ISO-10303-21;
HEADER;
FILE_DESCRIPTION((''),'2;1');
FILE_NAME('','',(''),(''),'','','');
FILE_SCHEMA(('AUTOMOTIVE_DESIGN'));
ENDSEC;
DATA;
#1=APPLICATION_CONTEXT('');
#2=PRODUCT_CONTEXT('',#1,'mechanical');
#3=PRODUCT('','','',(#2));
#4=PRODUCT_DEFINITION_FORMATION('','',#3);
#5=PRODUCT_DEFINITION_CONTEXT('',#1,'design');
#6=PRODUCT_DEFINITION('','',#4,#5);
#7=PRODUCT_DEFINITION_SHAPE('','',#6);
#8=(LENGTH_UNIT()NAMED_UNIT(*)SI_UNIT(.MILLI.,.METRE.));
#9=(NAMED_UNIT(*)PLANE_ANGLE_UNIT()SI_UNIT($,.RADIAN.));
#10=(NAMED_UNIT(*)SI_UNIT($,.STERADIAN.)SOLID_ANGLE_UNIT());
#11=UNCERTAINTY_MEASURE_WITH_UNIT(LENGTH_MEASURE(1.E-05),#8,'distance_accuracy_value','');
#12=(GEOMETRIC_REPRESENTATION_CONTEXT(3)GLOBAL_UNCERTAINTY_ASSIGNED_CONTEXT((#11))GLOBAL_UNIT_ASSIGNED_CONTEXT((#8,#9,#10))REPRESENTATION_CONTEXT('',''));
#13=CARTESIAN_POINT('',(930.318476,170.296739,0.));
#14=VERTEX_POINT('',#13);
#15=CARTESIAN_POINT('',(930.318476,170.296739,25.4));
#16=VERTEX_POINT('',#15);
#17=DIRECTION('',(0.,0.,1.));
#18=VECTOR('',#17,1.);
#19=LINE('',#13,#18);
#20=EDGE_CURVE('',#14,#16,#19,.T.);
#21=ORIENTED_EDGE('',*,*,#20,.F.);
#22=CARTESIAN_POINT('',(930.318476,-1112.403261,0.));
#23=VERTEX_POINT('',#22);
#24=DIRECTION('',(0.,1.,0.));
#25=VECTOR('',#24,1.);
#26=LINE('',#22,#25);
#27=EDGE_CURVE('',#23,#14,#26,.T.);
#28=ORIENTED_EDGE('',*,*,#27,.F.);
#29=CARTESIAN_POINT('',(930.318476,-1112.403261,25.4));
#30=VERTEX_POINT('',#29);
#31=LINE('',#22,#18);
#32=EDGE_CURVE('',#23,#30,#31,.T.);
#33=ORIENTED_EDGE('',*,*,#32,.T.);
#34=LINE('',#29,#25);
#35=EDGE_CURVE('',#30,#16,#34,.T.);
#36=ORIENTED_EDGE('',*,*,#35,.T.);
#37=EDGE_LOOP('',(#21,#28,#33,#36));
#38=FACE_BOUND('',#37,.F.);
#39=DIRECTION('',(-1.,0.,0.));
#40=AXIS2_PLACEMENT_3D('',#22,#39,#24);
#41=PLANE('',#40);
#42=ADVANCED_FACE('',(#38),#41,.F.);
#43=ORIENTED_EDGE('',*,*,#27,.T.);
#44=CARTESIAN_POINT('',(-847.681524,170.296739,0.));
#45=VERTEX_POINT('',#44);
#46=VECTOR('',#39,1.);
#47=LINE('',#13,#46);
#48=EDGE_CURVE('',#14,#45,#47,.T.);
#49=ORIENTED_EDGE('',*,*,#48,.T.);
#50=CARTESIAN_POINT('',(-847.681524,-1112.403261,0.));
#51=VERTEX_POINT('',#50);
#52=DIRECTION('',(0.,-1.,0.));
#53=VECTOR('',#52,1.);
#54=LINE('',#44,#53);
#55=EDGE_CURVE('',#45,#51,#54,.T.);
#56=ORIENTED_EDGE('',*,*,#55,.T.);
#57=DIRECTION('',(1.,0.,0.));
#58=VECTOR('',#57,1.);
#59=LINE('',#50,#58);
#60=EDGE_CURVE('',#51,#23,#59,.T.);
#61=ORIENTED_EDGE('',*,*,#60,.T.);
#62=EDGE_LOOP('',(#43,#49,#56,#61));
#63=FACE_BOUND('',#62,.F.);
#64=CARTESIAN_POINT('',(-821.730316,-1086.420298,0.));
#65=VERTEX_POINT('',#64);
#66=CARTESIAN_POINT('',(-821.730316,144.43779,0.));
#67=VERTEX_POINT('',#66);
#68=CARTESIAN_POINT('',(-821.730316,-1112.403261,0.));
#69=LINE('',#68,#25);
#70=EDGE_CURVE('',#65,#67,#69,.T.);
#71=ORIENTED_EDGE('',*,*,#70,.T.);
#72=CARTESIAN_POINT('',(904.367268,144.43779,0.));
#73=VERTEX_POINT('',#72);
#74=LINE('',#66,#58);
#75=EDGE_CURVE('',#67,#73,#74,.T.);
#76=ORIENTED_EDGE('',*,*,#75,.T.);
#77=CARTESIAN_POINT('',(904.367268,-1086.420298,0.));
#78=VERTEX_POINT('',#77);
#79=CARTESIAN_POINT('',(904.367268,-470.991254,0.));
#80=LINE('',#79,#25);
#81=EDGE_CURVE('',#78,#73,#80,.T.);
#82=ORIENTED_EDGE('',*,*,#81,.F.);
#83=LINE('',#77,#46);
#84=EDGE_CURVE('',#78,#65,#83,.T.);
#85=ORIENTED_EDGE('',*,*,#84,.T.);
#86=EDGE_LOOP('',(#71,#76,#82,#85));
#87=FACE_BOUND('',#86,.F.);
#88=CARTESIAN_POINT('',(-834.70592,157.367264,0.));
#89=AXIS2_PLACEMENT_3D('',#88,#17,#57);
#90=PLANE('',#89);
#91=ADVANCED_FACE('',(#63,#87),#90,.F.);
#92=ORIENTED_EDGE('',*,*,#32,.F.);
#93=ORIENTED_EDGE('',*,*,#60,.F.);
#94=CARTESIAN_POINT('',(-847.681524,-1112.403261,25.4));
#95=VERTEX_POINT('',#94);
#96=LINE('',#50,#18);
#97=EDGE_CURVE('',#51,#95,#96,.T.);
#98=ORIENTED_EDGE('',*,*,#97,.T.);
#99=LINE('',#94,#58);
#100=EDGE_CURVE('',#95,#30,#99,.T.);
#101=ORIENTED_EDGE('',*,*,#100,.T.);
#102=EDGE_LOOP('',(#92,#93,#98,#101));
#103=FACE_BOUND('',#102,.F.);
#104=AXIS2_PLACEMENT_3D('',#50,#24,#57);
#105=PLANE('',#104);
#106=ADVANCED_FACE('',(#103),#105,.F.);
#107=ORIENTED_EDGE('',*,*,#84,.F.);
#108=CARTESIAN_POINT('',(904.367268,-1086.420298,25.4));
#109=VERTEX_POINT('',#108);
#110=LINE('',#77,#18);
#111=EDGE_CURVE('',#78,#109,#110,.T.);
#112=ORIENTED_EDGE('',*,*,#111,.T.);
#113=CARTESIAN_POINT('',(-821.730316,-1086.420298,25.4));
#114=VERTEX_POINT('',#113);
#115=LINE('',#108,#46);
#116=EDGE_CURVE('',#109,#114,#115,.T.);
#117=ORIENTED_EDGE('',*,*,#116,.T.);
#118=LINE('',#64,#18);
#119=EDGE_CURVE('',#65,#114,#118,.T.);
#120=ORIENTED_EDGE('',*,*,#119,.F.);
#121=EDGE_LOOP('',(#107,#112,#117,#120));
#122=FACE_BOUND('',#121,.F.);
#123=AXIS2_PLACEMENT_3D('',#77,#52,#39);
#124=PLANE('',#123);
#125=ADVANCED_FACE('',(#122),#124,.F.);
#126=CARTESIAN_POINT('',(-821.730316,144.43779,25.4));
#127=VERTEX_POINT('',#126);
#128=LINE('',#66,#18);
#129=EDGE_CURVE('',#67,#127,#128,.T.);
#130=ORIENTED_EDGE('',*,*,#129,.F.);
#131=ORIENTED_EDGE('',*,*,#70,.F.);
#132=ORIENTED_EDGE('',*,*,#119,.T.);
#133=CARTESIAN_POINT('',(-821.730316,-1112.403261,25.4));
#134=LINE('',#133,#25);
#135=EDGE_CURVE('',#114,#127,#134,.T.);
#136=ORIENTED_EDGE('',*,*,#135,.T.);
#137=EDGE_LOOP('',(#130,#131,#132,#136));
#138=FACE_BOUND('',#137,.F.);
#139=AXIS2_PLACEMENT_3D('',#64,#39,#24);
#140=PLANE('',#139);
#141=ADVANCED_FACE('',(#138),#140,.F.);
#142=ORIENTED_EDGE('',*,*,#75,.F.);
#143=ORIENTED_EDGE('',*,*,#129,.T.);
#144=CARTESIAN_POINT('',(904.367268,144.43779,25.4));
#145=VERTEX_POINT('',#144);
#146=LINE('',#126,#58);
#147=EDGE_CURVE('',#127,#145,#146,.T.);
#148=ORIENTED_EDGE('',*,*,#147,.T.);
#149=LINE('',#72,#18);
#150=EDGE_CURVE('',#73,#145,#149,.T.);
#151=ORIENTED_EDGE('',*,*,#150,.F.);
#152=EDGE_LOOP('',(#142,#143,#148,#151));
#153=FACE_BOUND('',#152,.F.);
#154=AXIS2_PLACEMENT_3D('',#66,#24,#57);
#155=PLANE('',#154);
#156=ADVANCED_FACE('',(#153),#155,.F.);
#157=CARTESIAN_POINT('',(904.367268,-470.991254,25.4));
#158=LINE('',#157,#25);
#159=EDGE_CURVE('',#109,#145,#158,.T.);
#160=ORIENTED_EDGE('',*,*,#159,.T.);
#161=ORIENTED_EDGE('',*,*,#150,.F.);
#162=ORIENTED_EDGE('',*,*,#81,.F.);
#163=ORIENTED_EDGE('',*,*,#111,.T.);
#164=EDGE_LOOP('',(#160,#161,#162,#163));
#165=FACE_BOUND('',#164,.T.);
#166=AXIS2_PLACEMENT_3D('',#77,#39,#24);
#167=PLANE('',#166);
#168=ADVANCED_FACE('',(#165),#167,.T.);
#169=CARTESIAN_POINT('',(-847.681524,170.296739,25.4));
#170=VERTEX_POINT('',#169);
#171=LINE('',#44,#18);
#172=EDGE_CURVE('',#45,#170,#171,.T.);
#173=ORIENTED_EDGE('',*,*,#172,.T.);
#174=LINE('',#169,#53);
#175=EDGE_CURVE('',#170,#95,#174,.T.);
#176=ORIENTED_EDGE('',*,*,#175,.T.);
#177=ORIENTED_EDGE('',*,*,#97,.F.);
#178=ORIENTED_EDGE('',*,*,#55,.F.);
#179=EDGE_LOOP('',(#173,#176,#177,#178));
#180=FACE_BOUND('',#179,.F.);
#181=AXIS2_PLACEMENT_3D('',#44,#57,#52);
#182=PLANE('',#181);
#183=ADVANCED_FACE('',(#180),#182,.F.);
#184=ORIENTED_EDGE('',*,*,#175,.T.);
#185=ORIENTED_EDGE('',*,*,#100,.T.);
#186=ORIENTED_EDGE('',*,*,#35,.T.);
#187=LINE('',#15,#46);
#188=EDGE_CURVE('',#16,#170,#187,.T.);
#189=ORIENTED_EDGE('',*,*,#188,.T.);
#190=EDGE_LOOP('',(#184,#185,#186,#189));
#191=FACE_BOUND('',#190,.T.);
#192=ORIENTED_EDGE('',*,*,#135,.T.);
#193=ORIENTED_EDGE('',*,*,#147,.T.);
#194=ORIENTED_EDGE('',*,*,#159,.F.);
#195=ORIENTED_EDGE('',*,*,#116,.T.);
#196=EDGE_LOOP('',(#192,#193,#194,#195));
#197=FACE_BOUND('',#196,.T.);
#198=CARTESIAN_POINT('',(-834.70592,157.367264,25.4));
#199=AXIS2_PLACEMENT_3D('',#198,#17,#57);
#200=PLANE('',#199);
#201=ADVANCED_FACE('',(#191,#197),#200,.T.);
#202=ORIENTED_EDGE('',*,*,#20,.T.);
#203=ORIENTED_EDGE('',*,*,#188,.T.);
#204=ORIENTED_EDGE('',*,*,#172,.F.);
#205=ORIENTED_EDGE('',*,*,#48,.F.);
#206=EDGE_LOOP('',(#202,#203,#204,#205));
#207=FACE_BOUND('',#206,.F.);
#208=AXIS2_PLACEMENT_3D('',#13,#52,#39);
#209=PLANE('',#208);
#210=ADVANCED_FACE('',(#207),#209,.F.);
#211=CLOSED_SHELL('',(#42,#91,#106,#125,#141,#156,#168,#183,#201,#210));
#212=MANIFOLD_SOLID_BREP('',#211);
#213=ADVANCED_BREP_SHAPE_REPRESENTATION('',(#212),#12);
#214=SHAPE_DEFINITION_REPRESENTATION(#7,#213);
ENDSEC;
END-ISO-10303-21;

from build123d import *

# Parameters (mm, degrees)
F0_W     = 25.9512081146
F0_H     = 25.8589489582
F0_W_2   = 292.5098538399
F0_H_2   = 1230.8580875397
F0_W_3   = 26.0652303696
F0_H_3   = 25.9829635022
F0_W_4   = 26.0652527213
F0_W_5   = 779.060781002
F1_DEPTH = 25.4


with BuildPart() as f1:
    # F0 (on Top) → F1 (new body)
    with BuildSketch(Plane.XY):
        with Locations((-834.7059197426, 157.3672643961)):
            Rectangle(F0_W, F0_H)
        with Locations((-675.4753887653, 157.3672643961)):
            Rectangle(F0_W_2, F0_H)
        with Locations((-834.7059197426, -470.9912538528)):
            Rectangle(F0_W, F0_H_2)
        with Locations((-516.1878466606, 157.3672643961)):
            Rectangle(F0_W_3, F0_H)
        with Locations((-834.7059197426, -1099.4117793738)):
            Rectangle(F0_W, F0_H_3)
        Polygon((99.2412343621, 170.2967388751), (-503.1552314758, 170.2967388751), (-503.1552314758, 144.437789917), (-225.1261025667, 144.437789917), (-199.060857296, 144.437789917), (99.2412343621, 144.437789917), align=None)
        with Locations((-675.4753887653, -1099.4117793738)):
            Rectangle(F0_W_2, F0_H_3)
        with Locations((112.2738607228, 157.3672643961)):
            Rectangle(F0_W_4, F0_H)
        with Locations((-516.1878466606, -1099.4117793738)):
            Rectangle(F0_W_3, F0_H_3)
        with Locations((514.8368775845, 157.3672643961)):
            Rectangle(F0_W_5, F0_H)
        Polygon((-225.1261025667, -1086.4202976227), (-503.1552314758, -1086.4202976227), (-503.1552314758, -1112.4032611249), (99.2412343621, -1112.4032611249), (99.2412343621, -1086.4202976227), (-199.060857296, -1086.4202976227), align=None)
        with Locations((917.3428721428, 157.3672643961)):
            Rectangle(F0_W, F0_H)
        with Locations((112.2738607228, -1099.4117793738)):
            Rectangle(F0_W_4, F0_H_3)
        with Locations((917.3428721428, -470.9912538528)):
            Rectangle(F0_W, F0_H_2)
        with Locations((514.8368775845, -1099.4117793738)):
            Rectangle(F0_W_5, F0_H_3)
        with Locations((917.3428721428, -1099.4117793738)):
            Rectangle(F0_W, F0_H_3)
    extrude(amount=F1_DEPTH)


solid = f1.part
